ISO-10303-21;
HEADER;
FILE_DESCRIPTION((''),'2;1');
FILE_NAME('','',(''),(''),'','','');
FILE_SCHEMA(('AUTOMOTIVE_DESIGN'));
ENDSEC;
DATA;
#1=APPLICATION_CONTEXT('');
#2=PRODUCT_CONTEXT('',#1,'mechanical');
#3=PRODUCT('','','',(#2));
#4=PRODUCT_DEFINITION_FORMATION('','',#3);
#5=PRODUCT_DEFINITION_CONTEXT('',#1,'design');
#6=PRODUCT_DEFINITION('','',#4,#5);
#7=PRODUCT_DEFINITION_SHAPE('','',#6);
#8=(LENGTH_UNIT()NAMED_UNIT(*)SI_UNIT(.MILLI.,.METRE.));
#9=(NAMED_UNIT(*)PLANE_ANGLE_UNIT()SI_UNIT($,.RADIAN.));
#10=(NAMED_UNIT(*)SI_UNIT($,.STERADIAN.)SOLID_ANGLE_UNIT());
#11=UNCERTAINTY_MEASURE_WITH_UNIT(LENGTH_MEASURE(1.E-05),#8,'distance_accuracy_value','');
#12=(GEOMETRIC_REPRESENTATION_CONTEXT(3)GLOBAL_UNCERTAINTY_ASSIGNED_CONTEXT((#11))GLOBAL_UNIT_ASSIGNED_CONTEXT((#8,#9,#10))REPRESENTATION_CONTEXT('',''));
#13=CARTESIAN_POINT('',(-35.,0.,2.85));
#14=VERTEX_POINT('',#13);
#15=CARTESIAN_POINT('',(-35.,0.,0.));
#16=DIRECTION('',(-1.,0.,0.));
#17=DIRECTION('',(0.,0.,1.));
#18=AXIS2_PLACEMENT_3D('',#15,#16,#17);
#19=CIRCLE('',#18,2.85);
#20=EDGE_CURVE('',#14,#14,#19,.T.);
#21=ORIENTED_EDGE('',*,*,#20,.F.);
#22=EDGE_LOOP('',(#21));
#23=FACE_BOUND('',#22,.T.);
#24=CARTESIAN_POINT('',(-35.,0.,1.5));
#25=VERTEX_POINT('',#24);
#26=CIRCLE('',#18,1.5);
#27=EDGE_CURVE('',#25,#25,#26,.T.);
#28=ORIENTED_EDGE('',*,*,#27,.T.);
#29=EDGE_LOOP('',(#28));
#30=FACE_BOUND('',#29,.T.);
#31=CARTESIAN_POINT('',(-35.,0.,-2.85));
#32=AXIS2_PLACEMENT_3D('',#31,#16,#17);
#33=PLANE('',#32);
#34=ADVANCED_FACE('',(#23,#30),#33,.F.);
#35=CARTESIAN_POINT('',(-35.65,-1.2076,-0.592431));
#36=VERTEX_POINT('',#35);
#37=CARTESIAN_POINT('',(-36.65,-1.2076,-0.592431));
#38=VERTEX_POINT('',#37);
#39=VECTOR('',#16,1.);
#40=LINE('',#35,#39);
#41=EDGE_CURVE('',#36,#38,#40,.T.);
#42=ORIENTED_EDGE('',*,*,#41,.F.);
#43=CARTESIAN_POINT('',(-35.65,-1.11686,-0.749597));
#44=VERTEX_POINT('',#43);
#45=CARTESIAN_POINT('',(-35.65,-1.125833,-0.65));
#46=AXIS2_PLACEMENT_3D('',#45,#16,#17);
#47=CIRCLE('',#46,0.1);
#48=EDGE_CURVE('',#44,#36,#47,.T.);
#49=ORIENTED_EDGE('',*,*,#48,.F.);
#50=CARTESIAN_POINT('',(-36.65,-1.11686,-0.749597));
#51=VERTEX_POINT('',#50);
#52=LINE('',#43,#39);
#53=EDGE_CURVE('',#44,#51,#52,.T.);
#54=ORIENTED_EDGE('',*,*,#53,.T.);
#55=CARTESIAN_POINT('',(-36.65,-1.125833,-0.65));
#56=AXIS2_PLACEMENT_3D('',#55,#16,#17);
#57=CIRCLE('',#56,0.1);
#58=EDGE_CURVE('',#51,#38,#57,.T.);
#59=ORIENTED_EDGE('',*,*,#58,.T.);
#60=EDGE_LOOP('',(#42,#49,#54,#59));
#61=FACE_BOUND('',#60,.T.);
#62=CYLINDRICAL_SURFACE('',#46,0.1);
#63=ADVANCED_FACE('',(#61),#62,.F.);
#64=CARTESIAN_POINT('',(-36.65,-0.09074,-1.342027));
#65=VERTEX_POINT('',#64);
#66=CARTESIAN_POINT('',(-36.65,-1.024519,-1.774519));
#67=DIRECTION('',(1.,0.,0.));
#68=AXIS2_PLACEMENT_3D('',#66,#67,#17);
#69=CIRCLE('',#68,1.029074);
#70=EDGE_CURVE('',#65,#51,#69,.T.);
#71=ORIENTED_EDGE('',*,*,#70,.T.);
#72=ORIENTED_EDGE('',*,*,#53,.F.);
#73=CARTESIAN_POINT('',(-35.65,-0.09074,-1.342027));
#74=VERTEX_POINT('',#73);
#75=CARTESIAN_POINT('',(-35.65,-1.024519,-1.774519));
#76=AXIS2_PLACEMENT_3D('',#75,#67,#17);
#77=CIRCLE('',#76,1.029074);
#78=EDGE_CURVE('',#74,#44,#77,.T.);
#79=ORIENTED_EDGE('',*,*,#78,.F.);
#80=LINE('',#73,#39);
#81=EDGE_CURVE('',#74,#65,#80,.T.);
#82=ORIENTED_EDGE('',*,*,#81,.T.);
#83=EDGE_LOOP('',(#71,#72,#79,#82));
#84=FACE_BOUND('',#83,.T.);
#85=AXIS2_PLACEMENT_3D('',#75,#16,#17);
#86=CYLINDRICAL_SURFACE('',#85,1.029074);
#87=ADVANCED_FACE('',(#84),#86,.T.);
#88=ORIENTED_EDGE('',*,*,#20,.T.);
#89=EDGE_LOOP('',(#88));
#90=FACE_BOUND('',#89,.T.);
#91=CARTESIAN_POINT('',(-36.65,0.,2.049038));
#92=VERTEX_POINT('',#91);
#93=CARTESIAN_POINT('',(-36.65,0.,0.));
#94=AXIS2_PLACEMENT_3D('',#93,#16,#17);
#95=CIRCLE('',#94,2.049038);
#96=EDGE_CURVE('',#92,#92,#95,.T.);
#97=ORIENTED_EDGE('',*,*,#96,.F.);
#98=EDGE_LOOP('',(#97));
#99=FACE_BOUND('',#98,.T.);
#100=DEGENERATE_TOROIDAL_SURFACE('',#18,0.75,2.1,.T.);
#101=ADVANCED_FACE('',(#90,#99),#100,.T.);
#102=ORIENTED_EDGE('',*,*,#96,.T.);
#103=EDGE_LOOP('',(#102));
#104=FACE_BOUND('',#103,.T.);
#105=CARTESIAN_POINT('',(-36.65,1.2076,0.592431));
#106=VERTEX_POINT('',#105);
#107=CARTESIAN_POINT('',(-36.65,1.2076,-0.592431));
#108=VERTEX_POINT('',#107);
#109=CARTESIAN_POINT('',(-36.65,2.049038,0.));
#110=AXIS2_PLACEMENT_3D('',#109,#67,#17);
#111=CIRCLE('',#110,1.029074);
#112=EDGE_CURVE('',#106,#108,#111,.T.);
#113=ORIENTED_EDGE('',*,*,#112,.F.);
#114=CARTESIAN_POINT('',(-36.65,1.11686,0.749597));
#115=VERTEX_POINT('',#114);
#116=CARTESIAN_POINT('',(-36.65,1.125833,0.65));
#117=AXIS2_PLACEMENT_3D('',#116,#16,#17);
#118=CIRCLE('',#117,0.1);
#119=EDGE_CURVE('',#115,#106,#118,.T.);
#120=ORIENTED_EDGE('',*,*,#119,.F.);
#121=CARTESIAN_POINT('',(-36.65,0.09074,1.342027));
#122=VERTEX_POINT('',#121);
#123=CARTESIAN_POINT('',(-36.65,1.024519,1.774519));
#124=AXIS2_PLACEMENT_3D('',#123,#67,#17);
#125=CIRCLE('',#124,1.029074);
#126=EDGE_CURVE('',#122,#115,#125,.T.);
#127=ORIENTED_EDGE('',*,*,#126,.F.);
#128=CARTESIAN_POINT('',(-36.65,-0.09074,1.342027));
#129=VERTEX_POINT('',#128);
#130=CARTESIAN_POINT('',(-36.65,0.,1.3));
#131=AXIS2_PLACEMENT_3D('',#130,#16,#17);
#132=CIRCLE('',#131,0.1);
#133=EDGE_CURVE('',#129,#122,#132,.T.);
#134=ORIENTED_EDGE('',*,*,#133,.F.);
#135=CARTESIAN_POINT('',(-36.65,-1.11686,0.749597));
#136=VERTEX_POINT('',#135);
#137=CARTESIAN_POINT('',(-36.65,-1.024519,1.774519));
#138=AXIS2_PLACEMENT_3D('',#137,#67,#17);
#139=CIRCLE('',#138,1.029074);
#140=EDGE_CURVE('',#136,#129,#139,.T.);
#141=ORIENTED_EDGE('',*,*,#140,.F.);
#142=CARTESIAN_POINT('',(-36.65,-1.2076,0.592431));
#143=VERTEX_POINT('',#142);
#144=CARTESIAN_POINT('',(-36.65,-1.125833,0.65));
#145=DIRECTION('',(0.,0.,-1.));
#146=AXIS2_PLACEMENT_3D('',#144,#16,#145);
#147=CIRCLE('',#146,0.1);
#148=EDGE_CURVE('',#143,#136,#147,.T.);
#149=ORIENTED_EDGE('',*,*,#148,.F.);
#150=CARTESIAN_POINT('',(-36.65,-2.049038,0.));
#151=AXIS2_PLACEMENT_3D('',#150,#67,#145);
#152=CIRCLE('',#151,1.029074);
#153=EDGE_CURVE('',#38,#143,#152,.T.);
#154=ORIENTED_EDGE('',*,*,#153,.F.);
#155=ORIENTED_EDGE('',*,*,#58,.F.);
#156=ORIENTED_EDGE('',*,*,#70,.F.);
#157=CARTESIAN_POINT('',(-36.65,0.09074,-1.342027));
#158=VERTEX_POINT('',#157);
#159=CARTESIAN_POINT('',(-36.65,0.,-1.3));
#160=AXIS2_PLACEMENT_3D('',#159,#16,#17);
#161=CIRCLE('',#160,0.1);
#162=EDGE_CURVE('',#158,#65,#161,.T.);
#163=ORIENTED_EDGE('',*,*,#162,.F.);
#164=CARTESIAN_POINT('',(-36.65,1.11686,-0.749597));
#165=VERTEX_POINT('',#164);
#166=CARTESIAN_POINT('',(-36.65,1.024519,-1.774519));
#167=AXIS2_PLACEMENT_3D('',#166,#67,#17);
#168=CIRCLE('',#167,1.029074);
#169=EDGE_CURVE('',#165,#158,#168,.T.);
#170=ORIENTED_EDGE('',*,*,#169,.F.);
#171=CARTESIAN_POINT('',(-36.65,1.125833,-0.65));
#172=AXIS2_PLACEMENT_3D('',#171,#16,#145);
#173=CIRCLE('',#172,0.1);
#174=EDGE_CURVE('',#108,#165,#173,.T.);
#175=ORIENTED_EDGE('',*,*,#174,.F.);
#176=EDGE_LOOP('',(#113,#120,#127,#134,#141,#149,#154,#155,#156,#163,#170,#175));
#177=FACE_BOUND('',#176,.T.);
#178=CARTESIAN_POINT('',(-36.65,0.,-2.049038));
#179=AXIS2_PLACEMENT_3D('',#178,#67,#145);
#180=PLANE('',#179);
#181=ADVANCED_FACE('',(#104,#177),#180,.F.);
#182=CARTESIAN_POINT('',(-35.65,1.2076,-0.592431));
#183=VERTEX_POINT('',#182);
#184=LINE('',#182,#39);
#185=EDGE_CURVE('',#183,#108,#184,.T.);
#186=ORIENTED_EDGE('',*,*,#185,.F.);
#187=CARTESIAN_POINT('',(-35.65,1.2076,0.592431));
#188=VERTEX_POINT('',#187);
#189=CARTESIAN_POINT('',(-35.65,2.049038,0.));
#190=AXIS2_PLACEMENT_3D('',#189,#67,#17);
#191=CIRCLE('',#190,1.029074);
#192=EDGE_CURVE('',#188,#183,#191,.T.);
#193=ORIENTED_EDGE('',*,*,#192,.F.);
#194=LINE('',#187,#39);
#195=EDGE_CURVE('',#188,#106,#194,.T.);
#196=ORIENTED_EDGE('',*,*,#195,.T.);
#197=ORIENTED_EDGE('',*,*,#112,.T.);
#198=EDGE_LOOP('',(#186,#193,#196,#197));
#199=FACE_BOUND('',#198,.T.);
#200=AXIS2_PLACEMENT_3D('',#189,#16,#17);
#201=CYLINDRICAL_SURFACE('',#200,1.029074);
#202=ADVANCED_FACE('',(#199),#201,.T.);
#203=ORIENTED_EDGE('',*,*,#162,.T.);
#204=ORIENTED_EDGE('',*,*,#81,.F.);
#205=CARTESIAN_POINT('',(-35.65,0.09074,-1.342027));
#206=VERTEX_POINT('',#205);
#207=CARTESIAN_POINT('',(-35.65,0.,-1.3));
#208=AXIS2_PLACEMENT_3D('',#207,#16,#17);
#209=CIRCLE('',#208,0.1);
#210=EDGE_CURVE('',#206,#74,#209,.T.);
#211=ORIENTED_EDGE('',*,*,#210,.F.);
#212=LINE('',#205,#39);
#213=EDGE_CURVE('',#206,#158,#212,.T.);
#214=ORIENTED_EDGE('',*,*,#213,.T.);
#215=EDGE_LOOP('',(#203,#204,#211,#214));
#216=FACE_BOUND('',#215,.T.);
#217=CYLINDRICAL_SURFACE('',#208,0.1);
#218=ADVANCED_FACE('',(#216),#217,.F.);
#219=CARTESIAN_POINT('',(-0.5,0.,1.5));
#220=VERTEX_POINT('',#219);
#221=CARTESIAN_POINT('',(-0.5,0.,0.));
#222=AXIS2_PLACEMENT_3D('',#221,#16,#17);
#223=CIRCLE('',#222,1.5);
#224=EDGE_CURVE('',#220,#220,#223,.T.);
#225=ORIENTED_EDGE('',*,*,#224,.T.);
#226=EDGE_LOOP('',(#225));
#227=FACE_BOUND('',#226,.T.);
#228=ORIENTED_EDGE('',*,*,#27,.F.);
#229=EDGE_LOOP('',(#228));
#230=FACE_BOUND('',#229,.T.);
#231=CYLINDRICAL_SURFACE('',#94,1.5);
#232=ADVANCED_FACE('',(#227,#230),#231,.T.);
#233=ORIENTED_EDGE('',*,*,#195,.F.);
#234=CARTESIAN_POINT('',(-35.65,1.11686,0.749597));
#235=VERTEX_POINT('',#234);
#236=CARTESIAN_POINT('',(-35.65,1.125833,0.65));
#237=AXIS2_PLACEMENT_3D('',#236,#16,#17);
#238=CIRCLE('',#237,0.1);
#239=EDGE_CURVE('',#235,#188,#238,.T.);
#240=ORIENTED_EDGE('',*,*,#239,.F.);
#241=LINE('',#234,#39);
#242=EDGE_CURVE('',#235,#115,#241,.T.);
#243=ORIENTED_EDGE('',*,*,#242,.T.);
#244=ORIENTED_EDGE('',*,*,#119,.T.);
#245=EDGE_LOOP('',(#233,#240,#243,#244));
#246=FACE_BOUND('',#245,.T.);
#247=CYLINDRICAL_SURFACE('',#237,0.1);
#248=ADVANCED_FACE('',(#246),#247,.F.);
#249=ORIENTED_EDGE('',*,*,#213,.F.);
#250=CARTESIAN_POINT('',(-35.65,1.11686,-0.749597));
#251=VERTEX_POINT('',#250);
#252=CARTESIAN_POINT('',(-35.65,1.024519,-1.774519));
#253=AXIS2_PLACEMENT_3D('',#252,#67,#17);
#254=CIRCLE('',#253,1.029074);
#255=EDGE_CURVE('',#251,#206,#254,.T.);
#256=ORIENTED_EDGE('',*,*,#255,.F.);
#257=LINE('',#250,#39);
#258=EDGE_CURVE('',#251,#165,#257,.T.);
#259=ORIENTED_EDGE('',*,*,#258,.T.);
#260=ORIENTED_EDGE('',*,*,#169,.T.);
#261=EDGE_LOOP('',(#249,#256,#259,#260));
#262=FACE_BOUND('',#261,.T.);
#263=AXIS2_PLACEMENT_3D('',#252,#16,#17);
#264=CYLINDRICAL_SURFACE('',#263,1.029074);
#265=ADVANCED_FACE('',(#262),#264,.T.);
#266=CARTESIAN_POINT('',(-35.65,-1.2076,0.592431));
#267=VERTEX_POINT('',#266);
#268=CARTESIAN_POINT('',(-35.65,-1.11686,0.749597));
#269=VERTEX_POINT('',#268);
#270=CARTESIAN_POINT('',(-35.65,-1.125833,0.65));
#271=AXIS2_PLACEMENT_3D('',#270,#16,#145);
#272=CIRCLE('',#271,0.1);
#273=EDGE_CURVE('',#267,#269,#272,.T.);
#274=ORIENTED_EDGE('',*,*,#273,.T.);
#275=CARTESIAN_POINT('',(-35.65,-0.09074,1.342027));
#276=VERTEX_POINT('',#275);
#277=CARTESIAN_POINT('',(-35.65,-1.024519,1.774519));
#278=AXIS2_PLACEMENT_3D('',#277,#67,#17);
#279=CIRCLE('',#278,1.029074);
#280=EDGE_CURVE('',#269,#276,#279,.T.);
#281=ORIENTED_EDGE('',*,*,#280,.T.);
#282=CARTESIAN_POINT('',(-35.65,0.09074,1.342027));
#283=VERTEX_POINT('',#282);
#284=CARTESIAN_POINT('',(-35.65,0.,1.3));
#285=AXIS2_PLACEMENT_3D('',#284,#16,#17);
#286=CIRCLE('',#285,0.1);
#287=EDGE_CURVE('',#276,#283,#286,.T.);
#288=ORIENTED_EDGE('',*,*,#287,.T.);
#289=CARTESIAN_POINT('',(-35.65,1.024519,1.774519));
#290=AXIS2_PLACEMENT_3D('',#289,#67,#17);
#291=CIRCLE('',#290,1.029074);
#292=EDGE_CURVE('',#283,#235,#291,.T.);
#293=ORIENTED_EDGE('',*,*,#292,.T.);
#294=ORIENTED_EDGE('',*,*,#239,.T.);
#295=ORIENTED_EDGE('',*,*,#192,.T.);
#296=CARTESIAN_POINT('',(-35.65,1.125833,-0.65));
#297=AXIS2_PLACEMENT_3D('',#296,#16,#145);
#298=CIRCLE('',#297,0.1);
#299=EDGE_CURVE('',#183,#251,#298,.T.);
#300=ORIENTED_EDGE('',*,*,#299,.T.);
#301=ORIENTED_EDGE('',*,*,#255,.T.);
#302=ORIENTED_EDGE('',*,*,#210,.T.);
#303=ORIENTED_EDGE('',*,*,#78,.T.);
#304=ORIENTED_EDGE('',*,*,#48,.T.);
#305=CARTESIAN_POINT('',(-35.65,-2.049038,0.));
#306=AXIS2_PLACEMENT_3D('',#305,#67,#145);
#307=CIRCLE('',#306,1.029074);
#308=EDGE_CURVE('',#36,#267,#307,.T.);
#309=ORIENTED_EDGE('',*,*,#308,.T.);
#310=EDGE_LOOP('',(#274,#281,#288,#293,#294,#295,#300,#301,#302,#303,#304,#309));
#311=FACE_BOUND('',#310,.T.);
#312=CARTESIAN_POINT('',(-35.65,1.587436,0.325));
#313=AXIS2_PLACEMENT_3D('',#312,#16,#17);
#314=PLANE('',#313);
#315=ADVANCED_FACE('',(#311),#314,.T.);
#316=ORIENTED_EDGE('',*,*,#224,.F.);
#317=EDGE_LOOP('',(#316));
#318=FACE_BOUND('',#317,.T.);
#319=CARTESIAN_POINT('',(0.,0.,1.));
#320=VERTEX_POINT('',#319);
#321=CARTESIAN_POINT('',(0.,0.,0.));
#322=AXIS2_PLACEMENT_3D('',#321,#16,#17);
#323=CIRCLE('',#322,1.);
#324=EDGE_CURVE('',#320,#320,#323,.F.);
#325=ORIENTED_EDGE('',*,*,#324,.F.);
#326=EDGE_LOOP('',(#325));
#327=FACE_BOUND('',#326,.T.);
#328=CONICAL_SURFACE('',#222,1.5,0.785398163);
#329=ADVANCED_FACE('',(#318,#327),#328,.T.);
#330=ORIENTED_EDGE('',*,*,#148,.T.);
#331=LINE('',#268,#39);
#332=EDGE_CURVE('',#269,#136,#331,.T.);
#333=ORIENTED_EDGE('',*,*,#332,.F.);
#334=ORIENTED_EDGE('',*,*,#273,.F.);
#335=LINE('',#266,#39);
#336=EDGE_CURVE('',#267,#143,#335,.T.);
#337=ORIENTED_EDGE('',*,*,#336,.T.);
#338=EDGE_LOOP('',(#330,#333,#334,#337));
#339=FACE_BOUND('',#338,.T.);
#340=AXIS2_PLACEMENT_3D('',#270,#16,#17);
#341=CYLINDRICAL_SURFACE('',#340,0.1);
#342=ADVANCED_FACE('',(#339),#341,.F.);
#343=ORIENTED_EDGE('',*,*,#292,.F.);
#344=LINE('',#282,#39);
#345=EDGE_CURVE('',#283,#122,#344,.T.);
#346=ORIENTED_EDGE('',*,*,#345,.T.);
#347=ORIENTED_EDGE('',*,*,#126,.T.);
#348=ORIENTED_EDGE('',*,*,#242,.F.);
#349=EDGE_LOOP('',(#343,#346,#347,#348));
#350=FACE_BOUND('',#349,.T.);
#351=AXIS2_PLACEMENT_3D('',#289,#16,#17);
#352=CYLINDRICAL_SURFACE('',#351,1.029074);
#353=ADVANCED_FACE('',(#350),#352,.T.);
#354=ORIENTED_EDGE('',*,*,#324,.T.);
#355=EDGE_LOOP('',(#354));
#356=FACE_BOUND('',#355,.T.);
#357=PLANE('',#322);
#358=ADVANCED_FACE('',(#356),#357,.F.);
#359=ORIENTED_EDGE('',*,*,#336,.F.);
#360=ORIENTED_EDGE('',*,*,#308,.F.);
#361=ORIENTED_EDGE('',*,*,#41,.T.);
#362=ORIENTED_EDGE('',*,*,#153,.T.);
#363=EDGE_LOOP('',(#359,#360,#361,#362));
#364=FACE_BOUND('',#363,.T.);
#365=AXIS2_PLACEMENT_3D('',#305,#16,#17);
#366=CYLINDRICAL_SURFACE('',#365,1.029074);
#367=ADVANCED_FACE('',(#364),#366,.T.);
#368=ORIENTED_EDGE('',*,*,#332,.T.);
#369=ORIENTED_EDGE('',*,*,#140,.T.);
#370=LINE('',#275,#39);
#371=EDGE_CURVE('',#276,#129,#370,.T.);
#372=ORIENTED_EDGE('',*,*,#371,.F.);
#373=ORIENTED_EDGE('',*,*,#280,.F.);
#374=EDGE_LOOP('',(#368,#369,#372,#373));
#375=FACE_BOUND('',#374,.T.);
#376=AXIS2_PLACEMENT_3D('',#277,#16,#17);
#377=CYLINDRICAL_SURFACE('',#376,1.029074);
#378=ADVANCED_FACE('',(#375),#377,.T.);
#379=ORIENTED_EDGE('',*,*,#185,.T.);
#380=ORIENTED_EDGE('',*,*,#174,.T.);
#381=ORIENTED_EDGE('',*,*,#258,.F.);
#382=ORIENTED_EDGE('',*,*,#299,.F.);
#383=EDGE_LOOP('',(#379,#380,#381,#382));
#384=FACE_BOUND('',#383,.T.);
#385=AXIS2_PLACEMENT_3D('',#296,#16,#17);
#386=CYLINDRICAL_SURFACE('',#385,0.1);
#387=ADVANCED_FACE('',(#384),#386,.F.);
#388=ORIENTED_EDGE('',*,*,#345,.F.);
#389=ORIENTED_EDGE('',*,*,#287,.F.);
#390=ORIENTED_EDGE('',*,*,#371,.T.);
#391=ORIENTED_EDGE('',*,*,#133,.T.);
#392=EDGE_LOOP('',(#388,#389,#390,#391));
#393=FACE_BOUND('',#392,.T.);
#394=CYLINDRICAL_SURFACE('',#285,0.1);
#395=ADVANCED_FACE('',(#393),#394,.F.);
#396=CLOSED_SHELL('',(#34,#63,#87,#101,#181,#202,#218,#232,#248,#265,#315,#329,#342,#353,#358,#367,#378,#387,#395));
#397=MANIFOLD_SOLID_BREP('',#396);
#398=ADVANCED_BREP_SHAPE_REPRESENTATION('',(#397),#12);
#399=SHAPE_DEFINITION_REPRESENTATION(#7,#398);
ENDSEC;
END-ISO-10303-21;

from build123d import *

# Parameters (mm, degrees)
CHAMFER1_SIZE      = 0.5
CUT_EXTRUDE1_DEPTH = 1


with BuildPart() as part:
    # Sketch2 → Revolve1 (revolve)
    with BuildSketch(Plane(origin=(0, 0, 0), x_dir=(1, 0, 0), z_dir=(0, 1, 0)), mode=Mode.PRIVATE) as revolve1_sk:
        with BuildLine():
            Line((0, 0), (0, 1.5))
            Line((0, 1.5), (-35, 1.5))
            Line((-35, 1.5), (-35, 2.85))
            ThreePointArc((-35, 2.85), (-35.917065968, 2.639177072), (-36.65, 2.049038106))
            Line((-36.65, 2.049038106), (-36.65, 0))
            Line((-36.65, 0), (0, 0))
        make_face()
    revolve(revolve1_sk.sketch.rotate(Axis((-36.65, 0, 0), (1, 0, 0)), 180), axis=Axis((-36.65, 0, 0), (1, 0, 0)))

    # Chamfer1
    chamfer1_edges = [part.edges().sort_by_distance(p)[0] for p in [
        (0, 0, -1.5),
    ]]
    chamfer(chamfer1_edges, length=CHAMFER1_SIZE)

    # Sketch4 → Cut-Extrude1 (cut)
    with BuildSketch(Plane.ZY.offset(36.65)):
        with BuildLine():
            ThreePointArc((-1.342027284, 0.090739778), (-0.883315009, 0.509982158), (-0.749596595, 1.116859832))
            ThreePointArc((-0.749596595, 1.116859832), (-0.7, 1.212435565), (-0.592430689, 1.20759961))
            ThreePointArc((-0.592430689, 1.20759961), (0, 1.019964317), (0.592430689, 1.20759961))
            ThreePointArc((0.592430689, 1.20759961), (0.7, 1.212435565), (0.749596595, 1.116859832))
            ThreePointArc((0.749596595, 1.116859832), (0.883315009, 0.509982158), (1.342027284, 0.090739778))
            ThreePointArc((1.342027284, 0.090739778), (1.4, 0), (1.342027284, -0.090739778))
            ThreePointArc((1.342027284, -0.090739778), (0.883315009, -0.509982158), (0.749596595, -1.116859832))
            ThreePointArc((0.749596595, -1.116859832), (0.7, -1.212435565), (0.592430689, -1.20759961))
            ThreePointArc((0.592430689, -1.20759961), (0, -1.019964317), (-0.592430689, -1.20759961))
            ThreePointArc((-0.592430689, -1.20759961), (-0.7, -1.212435565), (-0.749596595, -1.116859832))
            ThreePointArc((-0.749596595, -1.116859832), (-0.883315009, -0.509982158), (-1.342027284, -0.090739778))
            ThreePointArc((-1.342027284, -0.090739778), (-1.4, 0), (-1.342027284, 0.090739778))
        make_face()
    extrude(amount=-CUT_EXTRUDE1_DEPTH, mode=Mode.SUBTRACT)


solid = part.part
